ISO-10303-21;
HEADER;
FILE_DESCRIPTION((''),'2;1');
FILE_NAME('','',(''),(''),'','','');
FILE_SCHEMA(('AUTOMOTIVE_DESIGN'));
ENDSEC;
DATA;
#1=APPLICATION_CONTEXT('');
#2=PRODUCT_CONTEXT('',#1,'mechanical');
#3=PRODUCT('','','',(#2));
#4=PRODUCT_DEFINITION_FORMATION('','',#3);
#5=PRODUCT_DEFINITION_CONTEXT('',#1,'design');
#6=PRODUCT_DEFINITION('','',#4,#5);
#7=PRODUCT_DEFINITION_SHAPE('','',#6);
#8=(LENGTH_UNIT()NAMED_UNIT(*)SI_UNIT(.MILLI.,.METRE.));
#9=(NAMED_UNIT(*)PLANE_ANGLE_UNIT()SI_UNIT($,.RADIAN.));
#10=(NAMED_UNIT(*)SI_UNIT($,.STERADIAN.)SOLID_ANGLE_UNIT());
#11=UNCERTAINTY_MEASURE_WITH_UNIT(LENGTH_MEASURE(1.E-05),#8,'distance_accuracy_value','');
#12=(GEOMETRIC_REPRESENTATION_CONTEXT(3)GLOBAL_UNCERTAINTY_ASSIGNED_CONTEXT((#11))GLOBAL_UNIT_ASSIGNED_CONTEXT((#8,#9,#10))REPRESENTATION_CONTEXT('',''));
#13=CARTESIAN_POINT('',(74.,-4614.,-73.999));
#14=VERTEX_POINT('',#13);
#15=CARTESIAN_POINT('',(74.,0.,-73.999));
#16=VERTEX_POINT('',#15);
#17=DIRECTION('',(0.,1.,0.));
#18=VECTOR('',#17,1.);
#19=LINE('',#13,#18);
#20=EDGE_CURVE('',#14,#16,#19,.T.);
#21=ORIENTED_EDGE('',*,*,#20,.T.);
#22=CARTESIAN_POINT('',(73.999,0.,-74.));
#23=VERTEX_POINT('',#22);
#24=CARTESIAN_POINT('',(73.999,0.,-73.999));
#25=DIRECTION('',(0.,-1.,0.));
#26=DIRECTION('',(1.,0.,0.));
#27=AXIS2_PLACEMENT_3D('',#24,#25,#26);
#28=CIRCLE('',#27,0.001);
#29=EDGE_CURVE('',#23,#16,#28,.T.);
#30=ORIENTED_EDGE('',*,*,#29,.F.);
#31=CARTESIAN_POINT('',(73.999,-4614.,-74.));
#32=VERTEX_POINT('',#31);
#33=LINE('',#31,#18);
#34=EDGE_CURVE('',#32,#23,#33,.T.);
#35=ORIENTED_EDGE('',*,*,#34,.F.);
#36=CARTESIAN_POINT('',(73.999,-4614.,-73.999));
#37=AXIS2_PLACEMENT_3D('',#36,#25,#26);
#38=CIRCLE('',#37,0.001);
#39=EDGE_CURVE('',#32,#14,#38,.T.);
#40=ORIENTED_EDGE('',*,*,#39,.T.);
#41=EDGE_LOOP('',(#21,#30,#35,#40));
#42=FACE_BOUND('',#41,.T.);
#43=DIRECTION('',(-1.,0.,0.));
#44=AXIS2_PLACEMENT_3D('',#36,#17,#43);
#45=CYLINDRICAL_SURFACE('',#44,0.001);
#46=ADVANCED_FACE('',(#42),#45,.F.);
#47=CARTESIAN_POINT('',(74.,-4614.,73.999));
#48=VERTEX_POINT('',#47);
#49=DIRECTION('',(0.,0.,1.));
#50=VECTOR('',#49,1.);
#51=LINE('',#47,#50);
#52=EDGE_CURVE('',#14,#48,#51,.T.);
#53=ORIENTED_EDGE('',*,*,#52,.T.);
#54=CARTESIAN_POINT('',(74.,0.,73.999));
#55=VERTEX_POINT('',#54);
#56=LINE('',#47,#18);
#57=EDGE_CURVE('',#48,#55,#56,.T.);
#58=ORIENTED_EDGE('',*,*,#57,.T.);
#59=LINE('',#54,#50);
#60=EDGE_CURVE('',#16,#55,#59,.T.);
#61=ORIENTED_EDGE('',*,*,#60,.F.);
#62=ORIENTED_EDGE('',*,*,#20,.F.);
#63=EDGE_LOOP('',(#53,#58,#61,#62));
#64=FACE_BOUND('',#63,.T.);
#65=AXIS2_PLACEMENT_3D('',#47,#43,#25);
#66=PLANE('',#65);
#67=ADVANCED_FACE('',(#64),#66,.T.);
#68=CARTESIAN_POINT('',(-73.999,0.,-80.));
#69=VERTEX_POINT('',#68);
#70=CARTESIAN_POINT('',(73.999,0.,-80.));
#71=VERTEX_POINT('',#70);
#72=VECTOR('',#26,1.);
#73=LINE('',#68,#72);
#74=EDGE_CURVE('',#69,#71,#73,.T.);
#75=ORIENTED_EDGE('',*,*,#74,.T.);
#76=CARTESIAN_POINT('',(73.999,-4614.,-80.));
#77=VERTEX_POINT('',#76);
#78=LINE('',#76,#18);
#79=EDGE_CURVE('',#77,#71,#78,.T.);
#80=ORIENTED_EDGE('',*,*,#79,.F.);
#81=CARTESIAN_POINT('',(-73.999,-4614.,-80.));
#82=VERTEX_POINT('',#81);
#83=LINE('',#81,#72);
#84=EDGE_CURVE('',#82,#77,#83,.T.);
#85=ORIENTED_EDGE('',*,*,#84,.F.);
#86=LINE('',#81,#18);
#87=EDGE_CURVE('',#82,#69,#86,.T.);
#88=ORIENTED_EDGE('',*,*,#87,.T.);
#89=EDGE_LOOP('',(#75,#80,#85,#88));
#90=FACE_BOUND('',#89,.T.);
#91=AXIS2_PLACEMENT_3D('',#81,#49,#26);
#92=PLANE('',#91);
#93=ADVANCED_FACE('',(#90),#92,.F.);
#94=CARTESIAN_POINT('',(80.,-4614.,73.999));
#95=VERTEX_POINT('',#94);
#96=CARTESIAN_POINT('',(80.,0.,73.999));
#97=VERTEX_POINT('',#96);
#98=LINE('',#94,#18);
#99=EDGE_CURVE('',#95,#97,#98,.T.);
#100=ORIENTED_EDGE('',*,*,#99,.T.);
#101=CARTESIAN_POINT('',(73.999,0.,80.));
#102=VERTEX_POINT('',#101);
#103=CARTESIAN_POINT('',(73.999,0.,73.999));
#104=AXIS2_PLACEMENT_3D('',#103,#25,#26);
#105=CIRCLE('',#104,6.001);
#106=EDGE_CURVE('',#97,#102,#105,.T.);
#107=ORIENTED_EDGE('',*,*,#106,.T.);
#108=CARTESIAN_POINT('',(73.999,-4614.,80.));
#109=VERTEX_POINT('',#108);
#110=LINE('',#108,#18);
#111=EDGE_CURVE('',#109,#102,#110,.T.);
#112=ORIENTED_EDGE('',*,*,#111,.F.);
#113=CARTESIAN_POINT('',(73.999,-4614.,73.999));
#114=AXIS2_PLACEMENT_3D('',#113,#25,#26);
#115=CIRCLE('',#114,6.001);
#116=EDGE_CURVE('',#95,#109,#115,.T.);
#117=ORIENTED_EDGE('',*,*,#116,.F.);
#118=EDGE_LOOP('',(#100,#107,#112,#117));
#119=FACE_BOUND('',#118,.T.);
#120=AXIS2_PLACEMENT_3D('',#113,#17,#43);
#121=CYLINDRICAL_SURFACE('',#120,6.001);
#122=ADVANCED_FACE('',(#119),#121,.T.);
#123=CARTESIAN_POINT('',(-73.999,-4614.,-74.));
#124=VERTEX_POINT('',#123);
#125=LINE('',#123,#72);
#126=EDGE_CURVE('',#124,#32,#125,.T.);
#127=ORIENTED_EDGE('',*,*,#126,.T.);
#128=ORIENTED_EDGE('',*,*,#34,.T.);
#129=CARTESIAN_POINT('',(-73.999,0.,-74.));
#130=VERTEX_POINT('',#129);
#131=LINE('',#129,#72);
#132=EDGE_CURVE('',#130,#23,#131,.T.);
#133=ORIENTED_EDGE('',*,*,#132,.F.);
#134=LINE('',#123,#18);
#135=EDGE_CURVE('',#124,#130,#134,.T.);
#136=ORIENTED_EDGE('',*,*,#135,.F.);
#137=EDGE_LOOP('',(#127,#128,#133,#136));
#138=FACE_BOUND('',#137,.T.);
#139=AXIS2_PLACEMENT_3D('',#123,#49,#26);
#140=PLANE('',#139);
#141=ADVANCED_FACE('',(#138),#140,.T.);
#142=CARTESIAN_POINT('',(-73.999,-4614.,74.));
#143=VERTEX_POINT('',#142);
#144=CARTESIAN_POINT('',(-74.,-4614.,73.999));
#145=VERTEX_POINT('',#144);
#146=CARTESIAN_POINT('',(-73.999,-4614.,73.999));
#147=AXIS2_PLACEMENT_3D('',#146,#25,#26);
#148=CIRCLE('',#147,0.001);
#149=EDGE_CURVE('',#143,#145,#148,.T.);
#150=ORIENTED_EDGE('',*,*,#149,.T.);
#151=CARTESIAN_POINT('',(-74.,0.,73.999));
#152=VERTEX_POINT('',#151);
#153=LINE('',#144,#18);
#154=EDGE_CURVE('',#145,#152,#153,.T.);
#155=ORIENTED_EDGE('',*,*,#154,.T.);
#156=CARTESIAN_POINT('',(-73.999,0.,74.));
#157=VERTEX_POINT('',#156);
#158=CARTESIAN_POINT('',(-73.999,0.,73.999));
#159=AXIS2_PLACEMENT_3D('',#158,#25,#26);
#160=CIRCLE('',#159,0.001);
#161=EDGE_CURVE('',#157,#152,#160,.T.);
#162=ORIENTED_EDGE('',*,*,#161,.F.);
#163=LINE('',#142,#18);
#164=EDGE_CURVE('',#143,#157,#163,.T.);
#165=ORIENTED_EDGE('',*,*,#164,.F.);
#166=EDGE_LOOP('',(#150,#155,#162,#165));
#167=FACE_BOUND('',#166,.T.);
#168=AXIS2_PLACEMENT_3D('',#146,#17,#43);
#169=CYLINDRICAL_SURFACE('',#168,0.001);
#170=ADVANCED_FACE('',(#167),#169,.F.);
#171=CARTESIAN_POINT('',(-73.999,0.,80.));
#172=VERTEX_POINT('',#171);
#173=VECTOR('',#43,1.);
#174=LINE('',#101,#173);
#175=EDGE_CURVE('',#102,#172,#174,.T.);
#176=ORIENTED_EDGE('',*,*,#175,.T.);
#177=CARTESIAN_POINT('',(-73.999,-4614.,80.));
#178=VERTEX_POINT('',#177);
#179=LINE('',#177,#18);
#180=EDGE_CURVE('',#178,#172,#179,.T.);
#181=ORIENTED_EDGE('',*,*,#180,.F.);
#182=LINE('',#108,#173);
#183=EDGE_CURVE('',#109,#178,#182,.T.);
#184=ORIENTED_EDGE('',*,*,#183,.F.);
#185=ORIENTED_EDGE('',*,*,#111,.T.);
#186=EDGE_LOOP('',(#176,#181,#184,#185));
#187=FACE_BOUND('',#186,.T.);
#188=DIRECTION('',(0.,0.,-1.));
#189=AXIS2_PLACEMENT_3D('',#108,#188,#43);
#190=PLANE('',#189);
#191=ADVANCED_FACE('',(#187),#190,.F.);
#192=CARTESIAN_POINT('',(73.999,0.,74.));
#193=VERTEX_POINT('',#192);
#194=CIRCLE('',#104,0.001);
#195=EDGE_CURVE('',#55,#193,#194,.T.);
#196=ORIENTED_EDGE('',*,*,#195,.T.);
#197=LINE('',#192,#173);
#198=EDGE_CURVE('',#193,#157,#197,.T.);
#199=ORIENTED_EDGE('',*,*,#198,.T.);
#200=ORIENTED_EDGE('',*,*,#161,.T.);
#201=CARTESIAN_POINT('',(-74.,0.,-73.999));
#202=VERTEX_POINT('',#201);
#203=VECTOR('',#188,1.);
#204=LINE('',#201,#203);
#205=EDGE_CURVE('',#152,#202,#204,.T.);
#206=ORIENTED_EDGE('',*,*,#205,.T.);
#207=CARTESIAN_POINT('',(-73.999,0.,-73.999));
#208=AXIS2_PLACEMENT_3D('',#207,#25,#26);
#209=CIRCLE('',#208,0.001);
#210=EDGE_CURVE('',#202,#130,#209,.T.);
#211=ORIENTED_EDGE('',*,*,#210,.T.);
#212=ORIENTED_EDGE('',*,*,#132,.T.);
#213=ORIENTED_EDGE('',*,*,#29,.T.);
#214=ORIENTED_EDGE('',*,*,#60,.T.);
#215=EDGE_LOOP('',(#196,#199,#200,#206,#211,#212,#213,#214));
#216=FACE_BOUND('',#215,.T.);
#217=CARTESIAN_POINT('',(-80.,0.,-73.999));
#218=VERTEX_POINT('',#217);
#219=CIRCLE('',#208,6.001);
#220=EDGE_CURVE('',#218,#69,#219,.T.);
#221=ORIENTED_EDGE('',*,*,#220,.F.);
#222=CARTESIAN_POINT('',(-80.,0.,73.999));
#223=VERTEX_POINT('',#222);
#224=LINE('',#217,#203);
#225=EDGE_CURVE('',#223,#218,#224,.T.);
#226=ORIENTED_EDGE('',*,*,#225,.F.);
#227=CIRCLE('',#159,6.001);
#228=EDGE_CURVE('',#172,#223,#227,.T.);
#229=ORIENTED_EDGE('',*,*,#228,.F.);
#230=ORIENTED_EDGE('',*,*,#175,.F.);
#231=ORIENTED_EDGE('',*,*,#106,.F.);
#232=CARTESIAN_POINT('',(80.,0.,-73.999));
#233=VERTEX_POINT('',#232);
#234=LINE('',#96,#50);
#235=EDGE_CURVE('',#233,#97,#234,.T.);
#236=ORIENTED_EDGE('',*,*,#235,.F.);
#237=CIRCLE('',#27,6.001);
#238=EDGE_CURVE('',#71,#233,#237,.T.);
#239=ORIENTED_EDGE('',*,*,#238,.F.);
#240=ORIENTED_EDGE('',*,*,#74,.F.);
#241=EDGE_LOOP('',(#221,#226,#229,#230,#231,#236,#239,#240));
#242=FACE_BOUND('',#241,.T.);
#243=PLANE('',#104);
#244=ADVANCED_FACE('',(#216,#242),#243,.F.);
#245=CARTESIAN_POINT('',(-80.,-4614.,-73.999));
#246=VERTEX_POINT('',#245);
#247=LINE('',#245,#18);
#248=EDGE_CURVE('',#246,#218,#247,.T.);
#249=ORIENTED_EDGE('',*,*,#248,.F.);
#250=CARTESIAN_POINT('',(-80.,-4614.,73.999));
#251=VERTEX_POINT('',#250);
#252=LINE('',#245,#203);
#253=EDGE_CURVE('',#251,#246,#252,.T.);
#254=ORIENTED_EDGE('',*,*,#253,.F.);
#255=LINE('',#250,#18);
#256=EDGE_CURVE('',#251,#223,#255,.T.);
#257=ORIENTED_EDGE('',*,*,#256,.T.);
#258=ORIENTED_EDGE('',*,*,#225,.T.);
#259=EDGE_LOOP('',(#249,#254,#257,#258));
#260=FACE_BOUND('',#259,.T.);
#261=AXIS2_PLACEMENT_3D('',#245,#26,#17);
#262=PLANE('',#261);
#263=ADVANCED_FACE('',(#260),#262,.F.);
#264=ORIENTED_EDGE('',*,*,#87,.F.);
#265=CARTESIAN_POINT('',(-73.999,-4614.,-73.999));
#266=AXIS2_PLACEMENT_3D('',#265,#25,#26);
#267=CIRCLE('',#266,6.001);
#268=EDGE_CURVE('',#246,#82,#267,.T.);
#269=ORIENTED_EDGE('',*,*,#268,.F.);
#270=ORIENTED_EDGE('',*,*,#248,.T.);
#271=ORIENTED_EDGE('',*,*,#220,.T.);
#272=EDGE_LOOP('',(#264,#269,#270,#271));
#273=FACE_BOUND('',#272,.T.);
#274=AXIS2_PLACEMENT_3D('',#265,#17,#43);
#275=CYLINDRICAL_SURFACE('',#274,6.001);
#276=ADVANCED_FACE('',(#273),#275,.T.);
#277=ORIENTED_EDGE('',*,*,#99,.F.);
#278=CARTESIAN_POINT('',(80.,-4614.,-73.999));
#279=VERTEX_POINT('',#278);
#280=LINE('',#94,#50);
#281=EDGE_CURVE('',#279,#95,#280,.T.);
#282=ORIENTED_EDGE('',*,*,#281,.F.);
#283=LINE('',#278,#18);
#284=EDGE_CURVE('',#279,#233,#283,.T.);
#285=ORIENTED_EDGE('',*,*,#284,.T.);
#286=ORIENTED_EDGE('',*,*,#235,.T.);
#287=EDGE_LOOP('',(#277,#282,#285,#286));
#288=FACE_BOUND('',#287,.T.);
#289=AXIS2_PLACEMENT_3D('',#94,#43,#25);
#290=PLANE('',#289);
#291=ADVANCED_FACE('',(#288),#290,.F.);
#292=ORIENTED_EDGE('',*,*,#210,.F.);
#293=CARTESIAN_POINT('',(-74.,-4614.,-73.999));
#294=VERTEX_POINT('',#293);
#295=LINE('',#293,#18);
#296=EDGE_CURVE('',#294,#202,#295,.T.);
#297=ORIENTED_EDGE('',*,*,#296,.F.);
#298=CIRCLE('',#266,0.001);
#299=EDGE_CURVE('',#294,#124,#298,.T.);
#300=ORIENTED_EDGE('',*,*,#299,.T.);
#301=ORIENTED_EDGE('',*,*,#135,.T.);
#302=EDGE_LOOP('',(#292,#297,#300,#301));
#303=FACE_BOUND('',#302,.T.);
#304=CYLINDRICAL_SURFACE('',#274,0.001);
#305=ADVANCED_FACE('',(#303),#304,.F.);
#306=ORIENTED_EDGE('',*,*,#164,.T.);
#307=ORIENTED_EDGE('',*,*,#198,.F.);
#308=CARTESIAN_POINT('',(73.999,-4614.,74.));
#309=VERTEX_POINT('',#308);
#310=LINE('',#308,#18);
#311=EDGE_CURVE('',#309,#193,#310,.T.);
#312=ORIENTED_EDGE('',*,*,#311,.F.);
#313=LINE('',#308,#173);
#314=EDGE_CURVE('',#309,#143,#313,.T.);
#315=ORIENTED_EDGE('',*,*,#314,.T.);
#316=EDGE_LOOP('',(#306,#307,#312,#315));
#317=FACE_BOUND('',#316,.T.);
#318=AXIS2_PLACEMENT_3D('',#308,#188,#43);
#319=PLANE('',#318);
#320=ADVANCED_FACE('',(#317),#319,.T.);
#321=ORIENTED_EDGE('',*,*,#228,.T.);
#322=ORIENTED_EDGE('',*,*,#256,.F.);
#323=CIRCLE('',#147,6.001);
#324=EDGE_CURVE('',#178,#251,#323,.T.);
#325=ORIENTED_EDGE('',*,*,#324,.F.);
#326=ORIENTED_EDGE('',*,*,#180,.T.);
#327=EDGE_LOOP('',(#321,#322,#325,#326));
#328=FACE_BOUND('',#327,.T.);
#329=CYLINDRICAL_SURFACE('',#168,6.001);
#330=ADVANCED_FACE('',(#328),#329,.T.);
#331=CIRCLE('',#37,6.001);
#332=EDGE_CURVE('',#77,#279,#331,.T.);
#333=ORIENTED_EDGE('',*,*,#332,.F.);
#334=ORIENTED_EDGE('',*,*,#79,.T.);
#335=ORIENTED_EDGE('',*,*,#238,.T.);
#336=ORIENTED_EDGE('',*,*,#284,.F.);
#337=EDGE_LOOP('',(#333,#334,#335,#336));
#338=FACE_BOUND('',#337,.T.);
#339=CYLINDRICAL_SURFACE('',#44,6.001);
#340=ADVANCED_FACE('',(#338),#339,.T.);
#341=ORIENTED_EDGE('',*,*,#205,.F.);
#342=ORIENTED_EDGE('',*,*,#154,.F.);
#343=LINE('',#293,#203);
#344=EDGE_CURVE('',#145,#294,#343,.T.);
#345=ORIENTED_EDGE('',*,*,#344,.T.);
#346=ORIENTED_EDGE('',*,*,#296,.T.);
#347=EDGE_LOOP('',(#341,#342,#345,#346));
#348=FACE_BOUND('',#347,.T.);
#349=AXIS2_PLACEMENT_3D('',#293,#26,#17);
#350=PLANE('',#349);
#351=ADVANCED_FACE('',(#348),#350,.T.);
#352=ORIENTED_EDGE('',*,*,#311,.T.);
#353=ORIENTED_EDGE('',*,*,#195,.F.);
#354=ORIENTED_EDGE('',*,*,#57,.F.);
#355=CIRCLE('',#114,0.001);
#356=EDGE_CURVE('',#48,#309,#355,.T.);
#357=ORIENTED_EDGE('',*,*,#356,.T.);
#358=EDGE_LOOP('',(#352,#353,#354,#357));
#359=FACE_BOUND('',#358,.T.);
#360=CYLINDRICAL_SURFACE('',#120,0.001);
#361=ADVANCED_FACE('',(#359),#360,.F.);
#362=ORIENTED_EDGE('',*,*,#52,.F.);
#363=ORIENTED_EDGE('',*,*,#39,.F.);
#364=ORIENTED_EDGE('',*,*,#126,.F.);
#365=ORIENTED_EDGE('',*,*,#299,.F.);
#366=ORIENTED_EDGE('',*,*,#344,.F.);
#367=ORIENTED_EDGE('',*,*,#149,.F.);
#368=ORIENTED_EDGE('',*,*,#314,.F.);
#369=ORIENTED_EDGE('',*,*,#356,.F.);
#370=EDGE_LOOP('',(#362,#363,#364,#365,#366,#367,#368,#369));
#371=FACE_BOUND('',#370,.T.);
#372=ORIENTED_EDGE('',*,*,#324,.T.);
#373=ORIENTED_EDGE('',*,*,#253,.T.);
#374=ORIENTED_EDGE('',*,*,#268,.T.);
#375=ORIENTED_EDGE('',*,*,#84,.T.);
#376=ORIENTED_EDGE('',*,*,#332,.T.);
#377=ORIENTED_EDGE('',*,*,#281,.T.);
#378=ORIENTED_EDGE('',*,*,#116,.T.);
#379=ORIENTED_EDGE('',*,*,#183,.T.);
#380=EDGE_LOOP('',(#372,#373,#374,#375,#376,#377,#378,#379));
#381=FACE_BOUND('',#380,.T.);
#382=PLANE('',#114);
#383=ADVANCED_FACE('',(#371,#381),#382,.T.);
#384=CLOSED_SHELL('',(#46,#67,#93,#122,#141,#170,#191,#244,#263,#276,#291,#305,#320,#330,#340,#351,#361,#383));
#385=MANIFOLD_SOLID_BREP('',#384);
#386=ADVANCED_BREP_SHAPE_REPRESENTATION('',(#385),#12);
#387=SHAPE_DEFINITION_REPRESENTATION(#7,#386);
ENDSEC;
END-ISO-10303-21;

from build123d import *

# Parameters (mm, degrees)
F_8639_82_150_X_150_X_7_0_1_DEPTH = 4614


with BuildPart() as part:
    # Sketch1 → Квадратная труба гост 8639-82 150 X 150 X 7.0(1) (new body)
    with BuildSketch(Plane.XZ):
        with BuildLine():
            Line((-73.999, -80), (73.999, -80))
            ThreePointArc((73.999, -80), (78.242347794, -78.242347794), (80, -73.999))
            Line((80, -73.999), (80, 73.999))
            ThreePointArc((80, 73.999), (78.242347794, 78.242347794), (73.999, 80))
            Line((73.999, 80), (-73.999, 80))
            ThreePointArc((-73.999, 80), (-78.242347794, 78.242347794), (-80, 73.999))
            Line((-80, 73.999), (-80, -73.999))
            ThreePointArc((-80, -73.999), (-78.242347794, -78.242347794), (-73.999, -80))
        make_face()
        with BuildLine():
            Line((-73.999, -74), (73.999, -74))
            ThreePointArc((73.999, -74), (73.999707107, -73.999707107), (74, -73.999))
            Line((74, -73.999), (74, 73.999))
            ThreePointArc((74, 73.999), (73.999707107, 73.999707107), (73.999, 74))
            Line((73.999, 74), (-73.999, 74))
            ThreePointArc((-73.999, 74), (-73.999707107, 73.999707107), (-74, 73.999))
            Line((-74, 73.999), (-74, -73.999))
            ThreePointArc((-74, -73.999), (-73.999707107, -73.999707107), (-73.999, -74))
        make_face(mode=Mode.SUBTRACT)
    extrude(amount=F_8639_82_150_X_150_X_7_0_1_DEPTH)


solid = part.part
